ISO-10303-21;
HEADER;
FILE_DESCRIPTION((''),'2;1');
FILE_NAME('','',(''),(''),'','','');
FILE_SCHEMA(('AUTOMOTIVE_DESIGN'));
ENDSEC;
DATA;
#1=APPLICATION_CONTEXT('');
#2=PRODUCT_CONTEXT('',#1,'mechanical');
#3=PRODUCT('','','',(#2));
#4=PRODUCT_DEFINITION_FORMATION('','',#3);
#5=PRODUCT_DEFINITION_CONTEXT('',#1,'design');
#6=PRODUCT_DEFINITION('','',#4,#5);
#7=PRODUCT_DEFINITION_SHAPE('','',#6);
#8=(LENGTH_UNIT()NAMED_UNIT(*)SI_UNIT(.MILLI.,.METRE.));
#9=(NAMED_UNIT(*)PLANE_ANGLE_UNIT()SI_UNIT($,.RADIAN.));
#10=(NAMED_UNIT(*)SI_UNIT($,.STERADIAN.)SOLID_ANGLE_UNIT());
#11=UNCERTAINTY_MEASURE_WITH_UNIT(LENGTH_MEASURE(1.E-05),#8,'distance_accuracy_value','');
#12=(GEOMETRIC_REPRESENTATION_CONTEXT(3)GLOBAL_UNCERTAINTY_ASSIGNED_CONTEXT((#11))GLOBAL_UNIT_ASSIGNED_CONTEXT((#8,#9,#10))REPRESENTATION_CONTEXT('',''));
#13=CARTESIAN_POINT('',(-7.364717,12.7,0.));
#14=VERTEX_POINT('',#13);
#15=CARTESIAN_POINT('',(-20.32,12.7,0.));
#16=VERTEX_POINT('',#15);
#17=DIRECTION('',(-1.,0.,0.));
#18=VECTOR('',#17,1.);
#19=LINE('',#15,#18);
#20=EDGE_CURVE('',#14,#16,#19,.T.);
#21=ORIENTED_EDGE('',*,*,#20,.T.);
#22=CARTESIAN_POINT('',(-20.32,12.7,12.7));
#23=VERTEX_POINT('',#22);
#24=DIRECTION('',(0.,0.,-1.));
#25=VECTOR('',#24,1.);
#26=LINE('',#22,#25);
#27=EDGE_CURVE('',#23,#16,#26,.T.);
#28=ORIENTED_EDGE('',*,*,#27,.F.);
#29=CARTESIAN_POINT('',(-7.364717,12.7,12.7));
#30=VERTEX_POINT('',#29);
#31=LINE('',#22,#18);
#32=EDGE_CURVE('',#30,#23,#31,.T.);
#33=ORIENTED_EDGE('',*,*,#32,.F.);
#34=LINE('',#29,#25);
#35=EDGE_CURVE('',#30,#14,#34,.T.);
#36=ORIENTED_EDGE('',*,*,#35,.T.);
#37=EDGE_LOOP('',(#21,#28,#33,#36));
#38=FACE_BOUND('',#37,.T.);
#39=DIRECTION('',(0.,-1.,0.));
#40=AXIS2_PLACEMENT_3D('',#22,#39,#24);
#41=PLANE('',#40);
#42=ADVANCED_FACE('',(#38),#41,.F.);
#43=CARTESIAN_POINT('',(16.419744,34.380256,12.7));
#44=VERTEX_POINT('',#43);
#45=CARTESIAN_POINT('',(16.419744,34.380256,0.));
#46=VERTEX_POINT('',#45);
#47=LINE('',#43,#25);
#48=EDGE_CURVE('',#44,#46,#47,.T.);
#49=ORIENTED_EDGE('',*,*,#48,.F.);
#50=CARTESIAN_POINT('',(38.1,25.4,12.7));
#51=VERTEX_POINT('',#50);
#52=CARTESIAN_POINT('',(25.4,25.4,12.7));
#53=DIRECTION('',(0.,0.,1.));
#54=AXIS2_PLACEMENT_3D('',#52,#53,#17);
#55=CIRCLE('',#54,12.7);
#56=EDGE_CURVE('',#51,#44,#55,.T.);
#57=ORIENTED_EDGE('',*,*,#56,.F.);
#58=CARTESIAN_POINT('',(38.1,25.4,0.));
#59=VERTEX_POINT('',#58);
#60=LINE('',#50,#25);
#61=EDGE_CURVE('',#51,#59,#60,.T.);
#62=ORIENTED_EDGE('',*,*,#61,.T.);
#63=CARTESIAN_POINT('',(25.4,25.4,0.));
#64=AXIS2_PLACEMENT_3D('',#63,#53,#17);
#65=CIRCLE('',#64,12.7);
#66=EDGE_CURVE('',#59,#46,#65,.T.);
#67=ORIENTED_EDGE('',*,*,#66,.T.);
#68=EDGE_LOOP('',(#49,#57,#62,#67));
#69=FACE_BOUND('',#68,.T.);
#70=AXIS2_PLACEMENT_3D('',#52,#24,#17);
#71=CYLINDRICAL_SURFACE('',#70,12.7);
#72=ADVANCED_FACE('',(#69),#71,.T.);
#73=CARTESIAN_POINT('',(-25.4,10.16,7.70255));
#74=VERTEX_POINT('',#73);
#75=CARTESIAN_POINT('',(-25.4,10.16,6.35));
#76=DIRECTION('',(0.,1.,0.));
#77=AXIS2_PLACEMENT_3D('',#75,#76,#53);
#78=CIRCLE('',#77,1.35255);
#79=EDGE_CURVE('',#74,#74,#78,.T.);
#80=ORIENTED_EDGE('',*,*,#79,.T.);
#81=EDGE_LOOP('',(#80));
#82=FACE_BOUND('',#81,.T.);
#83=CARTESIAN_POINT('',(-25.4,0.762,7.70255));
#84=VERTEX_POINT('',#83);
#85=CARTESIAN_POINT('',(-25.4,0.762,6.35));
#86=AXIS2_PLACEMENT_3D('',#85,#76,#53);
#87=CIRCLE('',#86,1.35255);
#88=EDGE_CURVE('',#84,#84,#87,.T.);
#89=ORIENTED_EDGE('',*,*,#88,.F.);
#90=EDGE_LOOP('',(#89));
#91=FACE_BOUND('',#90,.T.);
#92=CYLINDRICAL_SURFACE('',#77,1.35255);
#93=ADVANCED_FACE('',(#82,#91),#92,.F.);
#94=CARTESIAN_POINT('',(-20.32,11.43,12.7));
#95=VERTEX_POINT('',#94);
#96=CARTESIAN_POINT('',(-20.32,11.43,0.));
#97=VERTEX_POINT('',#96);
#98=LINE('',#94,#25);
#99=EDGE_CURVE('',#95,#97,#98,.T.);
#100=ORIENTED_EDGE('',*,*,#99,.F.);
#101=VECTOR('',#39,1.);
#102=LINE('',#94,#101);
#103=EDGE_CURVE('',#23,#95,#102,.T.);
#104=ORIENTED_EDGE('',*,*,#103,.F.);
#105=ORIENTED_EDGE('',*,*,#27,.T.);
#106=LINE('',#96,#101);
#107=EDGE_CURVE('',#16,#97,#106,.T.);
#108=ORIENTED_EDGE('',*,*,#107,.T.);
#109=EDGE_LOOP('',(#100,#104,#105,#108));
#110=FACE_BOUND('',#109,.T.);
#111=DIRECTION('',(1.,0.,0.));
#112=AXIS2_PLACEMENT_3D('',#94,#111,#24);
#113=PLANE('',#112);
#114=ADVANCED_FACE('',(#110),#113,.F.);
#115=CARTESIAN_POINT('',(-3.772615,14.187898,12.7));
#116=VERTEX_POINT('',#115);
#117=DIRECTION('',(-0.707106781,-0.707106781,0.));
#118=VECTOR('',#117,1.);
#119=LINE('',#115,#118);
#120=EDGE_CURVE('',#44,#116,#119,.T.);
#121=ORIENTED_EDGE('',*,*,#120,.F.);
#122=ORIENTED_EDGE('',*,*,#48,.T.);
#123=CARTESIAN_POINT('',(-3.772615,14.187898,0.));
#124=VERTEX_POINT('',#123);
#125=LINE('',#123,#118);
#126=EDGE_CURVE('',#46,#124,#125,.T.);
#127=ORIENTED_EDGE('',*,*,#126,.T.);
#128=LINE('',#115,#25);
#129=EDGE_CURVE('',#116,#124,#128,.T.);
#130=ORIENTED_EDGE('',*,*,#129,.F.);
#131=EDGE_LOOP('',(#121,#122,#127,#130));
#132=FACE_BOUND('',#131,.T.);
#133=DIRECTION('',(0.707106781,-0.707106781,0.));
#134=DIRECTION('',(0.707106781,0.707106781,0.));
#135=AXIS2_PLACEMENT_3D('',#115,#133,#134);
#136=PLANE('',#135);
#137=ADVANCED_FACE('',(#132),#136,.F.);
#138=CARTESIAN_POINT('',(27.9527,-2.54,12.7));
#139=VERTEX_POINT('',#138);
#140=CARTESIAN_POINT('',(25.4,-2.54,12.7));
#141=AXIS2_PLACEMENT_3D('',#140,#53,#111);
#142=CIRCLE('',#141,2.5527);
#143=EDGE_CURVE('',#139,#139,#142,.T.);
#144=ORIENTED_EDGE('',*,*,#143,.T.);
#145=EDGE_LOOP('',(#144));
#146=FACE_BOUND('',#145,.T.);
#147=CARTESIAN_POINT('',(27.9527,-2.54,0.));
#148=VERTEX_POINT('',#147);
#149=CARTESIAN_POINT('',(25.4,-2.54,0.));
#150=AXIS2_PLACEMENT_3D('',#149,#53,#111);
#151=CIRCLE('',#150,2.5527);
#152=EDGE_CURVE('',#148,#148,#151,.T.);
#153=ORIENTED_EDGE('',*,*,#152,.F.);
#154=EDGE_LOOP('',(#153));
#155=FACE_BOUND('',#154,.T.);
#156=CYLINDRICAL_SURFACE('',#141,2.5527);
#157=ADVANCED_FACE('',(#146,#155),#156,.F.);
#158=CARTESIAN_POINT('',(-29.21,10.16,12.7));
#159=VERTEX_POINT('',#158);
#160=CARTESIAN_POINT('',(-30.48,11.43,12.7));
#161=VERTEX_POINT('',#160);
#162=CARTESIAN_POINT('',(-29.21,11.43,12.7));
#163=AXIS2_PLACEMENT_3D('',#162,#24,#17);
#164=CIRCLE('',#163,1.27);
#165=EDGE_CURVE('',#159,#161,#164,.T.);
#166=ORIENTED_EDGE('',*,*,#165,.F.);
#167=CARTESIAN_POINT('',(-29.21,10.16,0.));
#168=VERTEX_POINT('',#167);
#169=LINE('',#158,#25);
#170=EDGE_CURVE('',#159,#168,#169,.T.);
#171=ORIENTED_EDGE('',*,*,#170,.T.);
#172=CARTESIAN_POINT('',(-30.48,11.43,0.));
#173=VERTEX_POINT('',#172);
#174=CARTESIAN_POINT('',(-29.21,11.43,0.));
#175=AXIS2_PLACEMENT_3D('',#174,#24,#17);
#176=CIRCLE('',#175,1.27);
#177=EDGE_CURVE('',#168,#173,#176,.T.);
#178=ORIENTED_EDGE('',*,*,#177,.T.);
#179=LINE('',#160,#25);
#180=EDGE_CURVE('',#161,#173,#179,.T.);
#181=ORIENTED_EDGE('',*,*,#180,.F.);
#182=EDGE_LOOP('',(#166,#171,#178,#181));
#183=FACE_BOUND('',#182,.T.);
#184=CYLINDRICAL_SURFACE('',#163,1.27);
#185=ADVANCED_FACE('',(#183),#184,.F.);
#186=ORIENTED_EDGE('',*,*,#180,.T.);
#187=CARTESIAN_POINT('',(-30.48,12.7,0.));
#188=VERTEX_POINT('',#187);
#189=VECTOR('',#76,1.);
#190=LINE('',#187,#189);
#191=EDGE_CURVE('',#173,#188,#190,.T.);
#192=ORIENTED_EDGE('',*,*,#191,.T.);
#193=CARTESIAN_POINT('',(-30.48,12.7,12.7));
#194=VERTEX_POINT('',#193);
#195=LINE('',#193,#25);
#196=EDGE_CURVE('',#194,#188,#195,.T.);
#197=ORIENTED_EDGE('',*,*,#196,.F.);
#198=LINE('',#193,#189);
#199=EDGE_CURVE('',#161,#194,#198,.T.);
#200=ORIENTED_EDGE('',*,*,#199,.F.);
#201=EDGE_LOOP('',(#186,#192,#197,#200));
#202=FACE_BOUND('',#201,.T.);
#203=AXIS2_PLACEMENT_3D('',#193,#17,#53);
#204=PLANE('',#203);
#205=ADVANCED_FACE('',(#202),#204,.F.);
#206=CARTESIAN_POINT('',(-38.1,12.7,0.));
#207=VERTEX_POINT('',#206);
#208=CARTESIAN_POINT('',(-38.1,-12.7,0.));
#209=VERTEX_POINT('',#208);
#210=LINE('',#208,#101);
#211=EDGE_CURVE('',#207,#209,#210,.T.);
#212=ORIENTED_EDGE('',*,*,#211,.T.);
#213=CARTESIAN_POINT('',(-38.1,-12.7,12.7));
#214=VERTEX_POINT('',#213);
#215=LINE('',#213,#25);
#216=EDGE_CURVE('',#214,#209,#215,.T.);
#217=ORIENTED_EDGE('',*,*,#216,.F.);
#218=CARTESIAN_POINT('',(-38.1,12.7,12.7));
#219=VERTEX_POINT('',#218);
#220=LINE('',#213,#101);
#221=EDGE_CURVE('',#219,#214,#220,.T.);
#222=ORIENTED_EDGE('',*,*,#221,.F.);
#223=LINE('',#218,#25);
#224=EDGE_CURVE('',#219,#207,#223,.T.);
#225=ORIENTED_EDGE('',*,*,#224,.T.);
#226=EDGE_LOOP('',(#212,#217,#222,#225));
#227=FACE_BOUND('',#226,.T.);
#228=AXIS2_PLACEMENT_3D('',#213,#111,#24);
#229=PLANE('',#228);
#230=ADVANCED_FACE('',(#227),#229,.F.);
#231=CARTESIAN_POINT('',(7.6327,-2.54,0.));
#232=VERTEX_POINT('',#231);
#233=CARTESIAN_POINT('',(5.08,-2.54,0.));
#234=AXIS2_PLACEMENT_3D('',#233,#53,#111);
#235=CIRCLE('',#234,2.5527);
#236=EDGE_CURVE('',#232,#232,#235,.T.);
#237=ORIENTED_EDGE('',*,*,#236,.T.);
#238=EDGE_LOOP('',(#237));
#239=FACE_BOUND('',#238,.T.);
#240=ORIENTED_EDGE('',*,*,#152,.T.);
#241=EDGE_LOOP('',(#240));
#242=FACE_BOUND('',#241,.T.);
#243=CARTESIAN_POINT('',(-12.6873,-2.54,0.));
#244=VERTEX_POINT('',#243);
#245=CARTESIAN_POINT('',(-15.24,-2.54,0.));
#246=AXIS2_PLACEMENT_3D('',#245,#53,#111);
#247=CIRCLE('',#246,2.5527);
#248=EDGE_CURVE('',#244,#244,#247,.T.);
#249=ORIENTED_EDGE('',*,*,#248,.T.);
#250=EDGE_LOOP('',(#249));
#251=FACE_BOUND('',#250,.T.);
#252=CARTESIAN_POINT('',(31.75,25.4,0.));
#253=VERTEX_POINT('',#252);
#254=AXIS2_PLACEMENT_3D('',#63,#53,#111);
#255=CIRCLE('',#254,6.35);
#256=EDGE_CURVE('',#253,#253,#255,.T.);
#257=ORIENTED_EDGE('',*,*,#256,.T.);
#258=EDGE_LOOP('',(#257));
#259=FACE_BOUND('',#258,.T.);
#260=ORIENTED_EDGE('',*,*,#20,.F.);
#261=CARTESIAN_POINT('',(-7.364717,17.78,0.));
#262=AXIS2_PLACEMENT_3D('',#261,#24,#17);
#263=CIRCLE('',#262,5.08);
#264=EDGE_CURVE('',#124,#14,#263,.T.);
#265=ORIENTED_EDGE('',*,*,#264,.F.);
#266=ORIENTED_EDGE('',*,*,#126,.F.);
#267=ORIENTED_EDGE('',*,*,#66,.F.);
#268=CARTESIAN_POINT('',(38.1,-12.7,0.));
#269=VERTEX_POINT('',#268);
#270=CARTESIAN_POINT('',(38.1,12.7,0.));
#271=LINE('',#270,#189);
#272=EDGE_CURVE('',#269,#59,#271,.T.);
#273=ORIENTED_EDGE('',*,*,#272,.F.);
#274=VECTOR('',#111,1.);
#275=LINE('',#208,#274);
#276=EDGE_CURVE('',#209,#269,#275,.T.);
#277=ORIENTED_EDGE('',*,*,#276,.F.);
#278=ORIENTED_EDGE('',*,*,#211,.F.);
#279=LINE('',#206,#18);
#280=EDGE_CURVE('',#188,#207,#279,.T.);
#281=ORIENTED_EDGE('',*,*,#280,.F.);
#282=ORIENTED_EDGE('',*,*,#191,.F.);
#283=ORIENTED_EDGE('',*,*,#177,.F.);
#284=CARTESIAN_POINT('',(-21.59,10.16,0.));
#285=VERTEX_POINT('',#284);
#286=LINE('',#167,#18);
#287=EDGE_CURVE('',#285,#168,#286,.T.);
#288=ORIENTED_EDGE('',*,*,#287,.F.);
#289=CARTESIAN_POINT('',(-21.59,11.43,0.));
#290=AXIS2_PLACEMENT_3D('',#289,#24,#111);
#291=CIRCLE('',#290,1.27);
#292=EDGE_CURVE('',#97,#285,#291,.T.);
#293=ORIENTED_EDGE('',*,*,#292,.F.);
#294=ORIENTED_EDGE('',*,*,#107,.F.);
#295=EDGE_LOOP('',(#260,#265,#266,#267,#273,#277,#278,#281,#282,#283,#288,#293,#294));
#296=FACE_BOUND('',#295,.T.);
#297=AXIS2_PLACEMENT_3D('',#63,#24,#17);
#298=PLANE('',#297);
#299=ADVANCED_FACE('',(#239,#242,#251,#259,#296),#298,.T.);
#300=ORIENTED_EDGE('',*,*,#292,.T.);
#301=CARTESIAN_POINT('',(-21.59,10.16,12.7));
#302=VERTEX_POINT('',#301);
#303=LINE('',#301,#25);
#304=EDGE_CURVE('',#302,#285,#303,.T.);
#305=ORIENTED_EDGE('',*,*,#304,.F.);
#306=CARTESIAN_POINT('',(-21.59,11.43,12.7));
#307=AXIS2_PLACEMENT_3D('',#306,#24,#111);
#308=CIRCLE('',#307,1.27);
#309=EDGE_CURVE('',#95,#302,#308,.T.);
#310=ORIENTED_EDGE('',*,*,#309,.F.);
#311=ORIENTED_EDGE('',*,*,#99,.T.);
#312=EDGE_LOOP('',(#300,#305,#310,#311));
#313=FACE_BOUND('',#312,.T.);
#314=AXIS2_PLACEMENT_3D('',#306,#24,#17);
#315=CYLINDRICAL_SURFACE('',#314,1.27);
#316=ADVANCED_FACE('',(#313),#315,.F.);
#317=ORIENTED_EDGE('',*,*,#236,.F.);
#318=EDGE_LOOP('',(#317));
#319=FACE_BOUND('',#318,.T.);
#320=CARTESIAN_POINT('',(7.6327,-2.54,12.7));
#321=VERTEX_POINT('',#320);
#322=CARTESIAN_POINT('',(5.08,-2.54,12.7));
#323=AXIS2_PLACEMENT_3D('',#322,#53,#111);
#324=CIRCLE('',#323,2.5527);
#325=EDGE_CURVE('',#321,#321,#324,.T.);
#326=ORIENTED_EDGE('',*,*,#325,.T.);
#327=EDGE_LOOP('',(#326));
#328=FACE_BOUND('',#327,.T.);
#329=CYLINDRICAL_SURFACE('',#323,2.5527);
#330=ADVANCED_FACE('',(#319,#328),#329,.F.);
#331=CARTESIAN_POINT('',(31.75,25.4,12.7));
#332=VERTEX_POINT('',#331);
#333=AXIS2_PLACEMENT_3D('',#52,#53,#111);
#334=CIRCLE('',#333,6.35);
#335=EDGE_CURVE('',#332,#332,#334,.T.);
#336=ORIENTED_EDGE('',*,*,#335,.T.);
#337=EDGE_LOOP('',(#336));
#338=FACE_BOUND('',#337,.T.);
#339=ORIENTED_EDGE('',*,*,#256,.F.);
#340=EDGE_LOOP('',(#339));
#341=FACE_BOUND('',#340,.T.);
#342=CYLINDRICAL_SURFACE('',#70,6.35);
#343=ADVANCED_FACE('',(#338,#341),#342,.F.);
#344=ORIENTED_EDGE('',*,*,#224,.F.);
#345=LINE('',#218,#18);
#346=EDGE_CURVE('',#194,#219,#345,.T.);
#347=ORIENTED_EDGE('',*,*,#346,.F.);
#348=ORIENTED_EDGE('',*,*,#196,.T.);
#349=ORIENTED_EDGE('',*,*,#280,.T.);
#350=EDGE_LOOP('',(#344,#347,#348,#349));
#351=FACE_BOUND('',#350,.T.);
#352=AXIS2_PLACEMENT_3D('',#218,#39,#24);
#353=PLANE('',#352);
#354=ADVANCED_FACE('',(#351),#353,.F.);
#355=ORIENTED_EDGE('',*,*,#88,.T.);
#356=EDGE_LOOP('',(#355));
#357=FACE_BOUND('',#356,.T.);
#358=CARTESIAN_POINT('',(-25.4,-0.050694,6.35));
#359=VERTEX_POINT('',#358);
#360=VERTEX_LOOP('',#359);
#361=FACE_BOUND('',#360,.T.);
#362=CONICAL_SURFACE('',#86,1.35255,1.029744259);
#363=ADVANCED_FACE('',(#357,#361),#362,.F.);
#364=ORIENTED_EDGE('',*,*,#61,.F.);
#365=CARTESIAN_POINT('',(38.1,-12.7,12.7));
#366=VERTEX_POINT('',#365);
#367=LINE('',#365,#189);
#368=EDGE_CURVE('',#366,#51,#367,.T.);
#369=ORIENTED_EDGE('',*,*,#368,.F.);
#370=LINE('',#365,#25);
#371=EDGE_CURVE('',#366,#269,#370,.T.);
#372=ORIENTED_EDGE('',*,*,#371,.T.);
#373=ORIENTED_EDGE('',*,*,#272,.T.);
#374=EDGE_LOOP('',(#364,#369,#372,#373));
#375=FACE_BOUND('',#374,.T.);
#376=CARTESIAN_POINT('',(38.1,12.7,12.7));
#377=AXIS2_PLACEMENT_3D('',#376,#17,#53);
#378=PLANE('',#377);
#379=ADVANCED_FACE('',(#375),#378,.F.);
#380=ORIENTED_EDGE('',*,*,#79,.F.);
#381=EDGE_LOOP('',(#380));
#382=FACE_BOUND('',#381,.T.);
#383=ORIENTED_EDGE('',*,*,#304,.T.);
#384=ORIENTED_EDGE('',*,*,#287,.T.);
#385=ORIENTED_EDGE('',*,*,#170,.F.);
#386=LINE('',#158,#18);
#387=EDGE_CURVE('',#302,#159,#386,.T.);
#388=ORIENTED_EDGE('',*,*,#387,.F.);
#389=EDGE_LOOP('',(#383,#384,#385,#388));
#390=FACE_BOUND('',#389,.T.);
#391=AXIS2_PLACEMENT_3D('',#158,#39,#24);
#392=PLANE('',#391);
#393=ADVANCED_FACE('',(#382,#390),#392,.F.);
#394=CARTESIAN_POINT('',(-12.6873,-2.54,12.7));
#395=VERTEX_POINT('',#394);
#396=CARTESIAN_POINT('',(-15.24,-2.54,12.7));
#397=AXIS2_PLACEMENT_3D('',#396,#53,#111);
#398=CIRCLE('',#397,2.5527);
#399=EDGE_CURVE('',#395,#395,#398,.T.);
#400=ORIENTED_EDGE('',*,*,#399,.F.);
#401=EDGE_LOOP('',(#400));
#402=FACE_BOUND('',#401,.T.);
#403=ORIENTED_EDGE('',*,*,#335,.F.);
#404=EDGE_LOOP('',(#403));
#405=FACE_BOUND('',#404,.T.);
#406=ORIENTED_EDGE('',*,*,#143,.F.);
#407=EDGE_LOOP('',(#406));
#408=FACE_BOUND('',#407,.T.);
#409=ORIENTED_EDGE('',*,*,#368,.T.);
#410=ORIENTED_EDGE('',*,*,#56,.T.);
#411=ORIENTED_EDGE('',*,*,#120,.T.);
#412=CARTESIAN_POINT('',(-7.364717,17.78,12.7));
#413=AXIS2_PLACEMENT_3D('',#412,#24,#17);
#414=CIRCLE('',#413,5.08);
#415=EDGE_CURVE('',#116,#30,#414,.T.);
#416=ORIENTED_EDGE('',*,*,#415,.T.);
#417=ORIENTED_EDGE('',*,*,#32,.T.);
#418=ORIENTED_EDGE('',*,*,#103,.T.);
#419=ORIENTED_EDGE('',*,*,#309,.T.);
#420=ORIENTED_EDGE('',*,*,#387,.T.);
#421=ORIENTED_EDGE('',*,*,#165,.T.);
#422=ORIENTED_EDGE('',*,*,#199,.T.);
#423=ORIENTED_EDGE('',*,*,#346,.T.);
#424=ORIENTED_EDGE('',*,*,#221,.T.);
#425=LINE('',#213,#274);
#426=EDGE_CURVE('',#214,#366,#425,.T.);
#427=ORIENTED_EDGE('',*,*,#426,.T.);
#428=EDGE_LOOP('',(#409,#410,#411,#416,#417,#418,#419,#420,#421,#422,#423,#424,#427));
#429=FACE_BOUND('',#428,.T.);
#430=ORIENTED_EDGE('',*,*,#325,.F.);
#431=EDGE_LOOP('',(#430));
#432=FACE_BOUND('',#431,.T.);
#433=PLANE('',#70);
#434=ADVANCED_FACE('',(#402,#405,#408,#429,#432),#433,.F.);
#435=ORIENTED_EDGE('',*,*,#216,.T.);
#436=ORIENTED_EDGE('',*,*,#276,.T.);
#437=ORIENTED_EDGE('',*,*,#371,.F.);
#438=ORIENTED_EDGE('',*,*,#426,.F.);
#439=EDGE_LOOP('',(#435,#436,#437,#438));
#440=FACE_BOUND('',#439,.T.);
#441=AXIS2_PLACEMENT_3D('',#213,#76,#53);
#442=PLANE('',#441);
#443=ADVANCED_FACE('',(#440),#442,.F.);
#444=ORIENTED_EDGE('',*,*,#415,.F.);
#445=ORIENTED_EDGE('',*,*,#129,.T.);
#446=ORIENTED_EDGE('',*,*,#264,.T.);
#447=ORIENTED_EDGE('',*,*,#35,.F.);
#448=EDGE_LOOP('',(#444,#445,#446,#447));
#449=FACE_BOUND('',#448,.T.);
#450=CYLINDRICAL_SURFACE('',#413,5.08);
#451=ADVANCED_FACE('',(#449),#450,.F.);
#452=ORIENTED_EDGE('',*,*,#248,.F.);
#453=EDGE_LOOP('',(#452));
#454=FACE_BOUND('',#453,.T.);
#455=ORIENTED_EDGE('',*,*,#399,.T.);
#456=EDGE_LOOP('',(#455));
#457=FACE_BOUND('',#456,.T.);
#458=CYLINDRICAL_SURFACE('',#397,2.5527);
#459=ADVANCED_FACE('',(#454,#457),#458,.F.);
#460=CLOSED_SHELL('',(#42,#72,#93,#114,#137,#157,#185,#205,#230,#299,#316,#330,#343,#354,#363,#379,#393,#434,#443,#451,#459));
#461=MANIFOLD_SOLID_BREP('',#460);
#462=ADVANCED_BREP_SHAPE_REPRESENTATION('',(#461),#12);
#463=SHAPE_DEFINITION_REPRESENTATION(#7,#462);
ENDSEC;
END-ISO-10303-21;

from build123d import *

# Parameters (mm, degrees)
SKETCH1_R                 = 6.35
BOSS_EXTRUDE1_DEPTH       = 12.7
F_1_4_20_TAPPED_HOLE1_D   = 5.1054
F_6_32_TAPPED_HOLE1_D     = 2.7051
F_6_32_TAPPED_HOLE1_DEPTH = 9.398
F_6_32_TAPPED_HOLE1_TIP   = 0.81269403


with BuildPart() as part:
    # Sketch1 → Boss-Extrude1 (new body)
    with BuildSketch(Plane.XY):
        with BuildLine():
            Line((38.1, 12.7), (38.1, 25.4))
            ThreePointArc((38.1, 25.4), (30.260079591, 37.133270063), (16.419743879, 34.380256121))
            Line((16.419743879, 34.380256121), (-3.772614691, 14.187897552))
            ThreePointArc((-3.772614691, 14.187897552), (-5.420685303, 13.086691975), (-7.364717139, 12.7))
            Line((-7.364717139, 12.7), (-20.32, 12.7))
            Line((-20.32, 12.7), (-20.32, 11.43))
            ThreePointArc((-20.32, 11.43), (-20.691974388, 10.531974388), (-21.59, 10.16))
            Line((-21.59, 10.16), (-29.21, 10.16))
            ThreePointArc((-29.21, 10.16), (-30.108025612, 10.531974388), (-30.48, 11.43))
            Line((-30.48, 11.43), (-30.48, 12.7))
            Line((-30.48, 12.7), (-38.1, 12.7))
            Line((-38.1, 12.7), (-38.1, -12.7))
            Line((-38.1, -12.7), (38.1, -12.7))
            Line((38.1, -12.7), (38.1, 12.7))
        make_face()
        with Locations((25.4, 25.4)):
            Circle(SKETCH1_R, mode=Mode.SUBTRACT)
    extrude(amount=BOSS_EXTRUDE1_DEPTH)

    # 1/4-20 Tapped Hole1 (through all)
    with Locations(Plane.XY.offset(12.7)):
        with Locations((-15.24, -2.54), (5.08, -2.54), (25.4, -2.54)):
            Hole(F_1_4_20_TAPPED_HOLE1_D / 2)

    # #6-32 Tapped Hole1
    with Locations(Plane(origin=(0, 10.16, 0), x_dir=(1, 0, 0), z_dir=(0, 1, 0))):
        with Locations((-25.4, -6.35)):
            Hole(F_6_32_TAPPED_HOLE1_D / 2, depth=F_6_32_TAPPED_HOLE1_DEPTH)
            with Locations((0, 0, -(F_6_32_TAPPED_HOLE1_DEPTH + F_6_32_TAPPED_HOLE1_TIP / 2))):  # 118° drill point
                Cone(0, F_6_32_TAPPED_HOLE1_D / 2, F_6_32_TAPPED_HOLE1_TIP, mode=Mode.SUBTRACT)


solid = part.part
